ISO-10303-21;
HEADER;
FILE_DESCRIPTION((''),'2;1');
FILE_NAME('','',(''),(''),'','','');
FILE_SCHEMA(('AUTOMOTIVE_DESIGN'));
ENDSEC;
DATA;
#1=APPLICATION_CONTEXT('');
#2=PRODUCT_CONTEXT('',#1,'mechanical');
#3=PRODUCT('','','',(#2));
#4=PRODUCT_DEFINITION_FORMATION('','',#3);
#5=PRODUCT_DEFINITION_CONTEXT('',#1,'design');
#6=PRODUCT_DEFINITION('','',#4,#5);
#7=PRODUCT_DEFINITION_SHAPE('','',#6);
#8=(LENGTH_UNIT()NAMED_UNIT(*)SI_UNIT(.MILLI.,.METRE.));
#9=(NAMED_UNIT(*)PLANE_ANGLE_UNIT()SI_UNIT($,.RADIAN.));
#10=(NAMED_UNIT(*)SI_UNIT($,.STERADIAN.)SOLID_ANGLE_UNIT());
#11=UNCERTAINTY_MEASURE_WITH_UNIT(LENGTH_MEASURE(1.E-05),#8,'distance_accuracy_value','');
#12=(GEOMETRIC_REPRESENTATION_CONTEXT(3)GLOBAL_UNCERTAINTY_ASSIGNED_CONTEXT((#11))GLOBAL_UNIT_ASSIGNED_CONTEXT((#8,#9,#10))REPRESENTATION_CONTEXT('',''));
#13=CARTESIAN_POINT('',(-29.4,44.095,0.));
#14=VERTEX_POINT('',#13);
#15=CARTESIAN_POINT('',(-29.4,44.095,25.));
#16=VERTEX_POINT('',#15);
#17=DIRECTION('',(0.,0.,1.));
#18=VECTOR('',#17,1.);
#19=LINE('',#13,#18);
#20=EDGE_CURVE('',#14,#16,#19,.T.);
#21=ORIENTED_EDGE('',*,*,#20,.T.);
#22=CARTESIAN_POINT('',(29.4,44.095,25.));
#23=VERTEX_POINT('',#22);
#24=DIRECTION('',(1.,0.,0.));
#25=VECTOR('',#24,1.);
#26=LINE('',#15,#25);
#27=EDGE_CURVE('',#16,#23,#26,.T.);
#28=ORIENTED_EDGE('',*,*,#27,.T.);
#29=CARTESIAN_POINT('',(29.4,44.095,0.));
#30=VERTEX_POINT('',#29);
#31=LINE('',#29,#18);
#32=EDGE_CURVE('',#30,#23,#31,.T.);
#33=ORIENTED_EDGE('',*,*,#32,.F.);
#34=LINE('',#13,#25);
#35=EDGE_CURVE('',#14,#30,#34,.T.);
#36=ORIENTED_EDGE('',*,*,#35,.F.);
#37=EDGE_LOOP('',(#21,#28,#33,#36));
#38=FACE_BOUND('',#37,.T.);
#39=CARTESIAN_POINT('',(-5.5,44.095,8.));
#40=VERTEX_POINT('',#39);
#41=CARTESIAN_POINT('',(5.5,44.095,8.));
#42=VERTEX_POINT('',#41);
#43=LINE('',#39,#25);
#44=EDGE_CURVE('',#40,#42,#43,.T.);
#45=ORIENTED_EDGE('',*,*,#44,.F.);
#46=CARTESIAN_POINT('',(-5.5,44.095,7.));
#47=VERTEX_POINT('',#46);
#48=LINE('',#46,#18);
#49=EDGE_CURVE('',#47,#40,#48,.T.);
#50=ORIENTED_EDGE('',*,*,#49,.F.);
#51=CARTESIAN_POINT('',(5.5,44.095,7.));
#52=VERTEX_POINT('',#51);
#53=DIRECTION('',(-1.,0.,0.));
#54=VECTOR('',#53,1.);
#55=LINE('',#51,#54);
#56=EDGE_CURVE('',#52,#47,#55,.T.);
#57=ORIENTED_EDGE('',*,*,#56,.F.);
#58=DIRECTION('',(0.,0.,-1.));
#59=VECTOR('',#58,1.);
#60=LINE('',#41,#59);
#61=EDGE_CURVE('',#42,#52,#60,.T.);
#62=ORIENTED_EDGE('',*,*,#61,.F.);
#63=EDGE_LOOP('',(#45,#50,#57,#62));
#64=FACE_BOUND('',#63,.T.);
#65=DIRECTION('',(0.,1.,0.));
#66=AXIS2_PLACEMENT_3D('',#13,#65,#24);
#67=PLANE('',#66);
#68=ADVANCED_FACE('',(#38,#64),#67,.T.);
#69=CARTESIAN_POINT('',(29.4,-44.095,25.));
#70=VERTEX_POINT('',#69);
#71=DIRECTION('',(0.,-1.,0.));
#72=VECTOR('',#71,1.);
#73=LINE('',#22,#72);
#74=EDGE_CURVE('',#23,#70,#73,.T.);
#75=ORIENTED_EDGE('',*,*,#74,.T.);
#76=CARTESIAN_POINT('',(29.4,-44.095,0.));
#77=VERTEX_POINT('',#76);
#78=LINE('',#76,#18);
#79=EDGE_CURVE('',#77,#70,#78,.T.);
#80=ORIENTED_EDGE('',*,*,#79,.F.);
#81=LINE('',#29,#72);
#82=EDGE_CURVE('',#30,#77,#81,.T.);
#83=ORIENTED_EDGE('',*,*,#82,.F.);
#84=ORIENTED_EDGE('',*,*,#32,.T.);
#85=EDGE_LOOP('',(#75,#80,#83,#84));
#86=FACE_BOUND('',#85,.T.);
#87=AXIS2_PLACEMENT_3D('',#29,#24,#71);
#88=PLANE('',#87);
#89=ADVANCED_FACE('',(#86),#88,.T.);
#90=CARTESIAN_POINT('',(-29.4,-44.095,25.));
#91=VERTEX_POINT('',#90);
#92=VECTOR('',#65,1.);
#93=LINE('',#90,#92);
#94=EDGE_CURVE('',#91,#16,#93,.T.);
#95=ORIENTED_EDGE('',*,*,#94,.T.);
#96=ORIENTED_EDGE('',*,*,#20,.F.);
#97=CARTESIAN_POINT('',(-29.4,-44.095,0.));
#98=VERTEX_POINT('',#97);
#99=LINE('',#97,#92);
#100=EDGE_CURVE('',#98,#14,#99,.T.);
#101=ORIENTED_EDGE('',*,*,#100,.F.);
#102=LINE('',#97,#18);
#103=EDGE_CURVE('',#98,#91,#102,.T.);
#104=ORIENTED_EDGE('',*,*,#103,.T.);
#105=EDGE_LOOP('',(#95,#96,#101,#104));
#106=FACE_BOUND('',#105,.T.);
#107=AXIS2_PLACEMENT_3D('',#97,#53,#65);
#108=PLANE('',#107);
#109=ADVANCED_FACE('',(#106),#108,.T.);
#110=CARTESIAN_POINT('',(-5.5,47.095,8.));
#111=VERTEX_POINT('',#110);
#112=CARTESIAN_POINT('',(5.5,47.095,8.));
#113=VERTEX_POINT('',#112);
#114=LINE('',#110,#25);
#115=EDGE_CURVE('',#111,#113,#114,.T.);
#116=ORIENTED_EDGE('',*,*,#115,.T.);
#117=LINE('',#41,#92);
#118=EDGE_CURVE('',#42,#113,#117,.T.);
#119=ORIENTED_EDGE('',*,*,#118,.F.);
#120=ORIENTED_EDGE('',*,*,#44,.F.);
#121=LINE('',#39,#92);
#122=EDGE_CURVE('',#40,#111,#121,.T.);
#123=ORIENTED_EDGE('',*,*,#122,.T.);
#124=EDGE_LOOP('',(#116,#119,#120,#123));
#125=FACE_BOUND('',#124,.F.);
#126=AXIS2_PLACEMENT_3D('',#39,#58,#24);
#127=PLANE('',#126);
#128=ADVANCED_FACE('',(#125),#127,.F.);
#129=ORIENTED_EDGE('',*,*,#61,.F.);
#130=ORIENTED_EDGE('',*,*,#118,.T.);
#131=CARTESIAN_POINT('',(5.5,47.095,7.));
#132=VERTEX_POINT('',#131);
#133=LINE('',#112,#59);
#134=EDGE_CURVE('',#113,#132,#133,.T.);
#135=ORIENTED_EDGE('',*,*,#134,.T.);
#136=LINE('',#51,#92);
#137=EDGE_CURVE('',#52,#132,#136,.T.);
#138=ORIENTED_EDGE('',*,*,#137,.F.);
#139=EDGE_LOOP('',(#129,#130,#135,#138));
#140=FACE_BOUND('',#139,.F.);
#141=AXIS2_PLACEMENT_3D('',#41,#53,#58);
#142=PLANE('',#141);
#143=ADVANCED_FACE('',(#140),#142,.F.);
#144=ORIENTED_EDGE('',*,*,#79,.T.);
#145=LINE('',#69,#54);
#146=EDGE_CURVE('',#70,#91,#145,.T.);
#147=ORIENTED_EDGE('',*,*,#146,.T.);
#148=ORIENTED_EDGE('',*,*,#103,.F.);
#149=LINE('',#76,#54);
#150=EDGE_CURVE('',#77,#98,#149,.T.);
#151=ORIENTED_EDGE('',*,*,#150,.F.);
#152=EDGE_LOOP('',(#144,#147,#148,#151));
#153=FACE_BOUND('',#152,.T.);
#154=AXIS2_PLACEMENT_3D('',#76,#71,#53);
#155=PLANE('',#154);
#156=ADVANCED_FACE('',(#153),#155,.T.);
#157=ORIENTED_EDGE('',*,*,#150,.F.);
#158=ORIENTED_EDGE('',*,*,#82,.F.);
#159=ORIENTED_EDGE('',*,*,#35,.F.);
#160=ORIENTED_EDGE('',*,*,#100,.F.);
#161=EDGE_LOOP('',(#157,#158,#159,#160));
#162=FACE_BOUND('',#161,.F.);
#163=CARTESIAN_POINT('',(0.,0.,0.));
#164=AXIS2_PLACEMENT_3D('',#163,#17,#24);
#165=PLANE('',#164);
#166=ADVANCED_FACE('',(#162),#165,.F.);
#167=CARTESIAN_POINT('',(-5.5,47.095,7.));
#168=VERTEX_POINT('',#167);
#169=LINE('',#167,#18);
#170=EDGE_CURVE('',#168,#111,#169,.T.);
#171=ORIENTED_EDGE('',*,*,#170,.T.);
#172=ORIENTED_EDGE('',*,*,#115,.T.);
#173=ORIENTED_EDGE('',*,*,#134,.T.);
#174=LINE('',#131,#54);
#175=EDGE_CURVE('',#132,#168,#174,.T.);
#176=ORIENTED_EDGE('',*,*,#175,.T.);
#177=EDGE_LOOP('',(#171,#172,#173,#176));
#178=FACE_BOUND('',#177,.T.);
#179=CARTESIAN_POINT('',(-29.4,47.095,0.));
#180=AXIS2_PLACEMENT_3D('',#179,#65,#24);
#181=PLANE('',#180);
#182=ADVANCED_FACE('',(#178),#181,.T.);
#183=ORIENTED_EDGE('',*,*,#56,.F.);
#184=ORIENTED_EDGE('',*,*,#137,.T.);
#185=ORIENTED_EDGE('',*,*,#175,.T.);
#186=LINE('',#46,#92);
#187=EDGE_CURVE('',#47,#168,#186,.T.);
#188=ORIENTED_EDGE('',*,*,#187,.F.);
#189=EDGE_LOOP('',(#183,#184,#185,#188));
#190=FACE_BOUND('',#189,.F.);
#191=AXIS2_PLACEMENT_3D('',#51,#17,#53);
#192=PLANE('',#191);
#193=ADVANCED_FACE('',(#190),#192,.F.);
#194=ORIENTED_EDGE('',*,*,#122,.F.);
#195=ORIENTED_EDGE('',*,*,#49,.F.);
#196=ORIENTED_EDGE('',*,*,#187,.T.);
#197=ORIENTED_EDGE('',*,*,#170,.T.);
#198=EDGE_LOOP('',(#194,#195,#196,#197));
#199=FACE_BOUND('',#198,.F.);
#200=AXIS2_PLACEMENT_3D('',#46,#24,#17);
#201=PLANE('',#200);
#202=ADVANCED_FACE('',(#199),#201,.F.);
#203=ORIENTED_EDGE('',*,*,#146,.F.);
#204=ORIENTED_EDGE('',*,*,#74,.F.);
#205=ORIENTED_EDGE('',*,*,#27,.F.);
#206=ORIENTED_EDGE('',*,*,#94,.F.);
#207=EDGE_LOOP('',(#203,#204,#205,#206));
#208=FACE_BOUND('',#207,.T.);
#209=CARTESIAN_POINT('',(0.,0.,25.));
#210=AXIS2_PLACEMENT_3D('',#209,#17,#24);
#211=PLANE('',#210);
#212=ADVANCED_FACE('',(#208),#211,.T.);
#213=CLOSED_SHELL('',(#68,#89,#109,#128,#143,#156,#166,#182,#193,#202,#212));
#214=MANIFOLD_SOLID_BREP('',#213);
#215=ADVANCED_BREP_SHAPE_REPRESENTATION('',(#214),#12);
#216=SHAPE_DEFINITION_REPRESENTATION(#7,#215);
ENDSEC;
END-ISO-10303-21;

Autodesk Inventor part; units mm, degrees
ref_plane "YZ Plane" through (0, 0, 0) normal (1, 0, 0) x (0, 1, 0)
ref_plane "XZ Plane" through (0, 0, 0) normal (0, 1, 0) x (-1, 0, 0)
ref_plane "XY Plane" through (0, 0, 0) normal (0, 0, 1) x (1, 0, 0)
sketch "Sketch2" plane through (0, 0, 0) normal (0, 0, 1) x (1, 0, 0)
  line L0 (-29.4, 44.095) -> (29.4, 44.095)
  line L1 (29.4, 44.095) -> (29.4, -44.095)
  line L2 (29.4, -44.095) -> (-29.4, -44.095)
  line L3 (-29.4, -44.095) -> (-29.4, 44.095)
  point P0 (0, 0)
  point P1 (29.4, 0)
  point P2 (0, 44.095)
  dimension "d0" = 58.8
  dimension "d1" = 88.19
extrude "Extrusion1" add sketch "Sketch2" along normal blind 25
sketch "Sketch3" plane through (-29.4, 44.095, 0) normal (0, 1, 0) x (1, 0, 0)
  line L0 (23.9, -8) -> (34.9, -8)
  line L1 (34.9, -8) -> (34.9, -7)
  line L2 (34.9, -7) -> (23.9, -7)
  line L3 (23.9, -7) -> (23.9, -8)
  line L4 (58.8, 0) -> (0, 0) projected
  point P0 (29.4, 0)
  point P1 (29.4, 0)
  point P2 (29.4, -7)
  dimension "d4" = 11
  dimension "d5" = 1
  dimension "d6" = 7
extrude "Extrusion2" add sketch "Sketch3" along normal blind 3
properties part number "rasberry"
